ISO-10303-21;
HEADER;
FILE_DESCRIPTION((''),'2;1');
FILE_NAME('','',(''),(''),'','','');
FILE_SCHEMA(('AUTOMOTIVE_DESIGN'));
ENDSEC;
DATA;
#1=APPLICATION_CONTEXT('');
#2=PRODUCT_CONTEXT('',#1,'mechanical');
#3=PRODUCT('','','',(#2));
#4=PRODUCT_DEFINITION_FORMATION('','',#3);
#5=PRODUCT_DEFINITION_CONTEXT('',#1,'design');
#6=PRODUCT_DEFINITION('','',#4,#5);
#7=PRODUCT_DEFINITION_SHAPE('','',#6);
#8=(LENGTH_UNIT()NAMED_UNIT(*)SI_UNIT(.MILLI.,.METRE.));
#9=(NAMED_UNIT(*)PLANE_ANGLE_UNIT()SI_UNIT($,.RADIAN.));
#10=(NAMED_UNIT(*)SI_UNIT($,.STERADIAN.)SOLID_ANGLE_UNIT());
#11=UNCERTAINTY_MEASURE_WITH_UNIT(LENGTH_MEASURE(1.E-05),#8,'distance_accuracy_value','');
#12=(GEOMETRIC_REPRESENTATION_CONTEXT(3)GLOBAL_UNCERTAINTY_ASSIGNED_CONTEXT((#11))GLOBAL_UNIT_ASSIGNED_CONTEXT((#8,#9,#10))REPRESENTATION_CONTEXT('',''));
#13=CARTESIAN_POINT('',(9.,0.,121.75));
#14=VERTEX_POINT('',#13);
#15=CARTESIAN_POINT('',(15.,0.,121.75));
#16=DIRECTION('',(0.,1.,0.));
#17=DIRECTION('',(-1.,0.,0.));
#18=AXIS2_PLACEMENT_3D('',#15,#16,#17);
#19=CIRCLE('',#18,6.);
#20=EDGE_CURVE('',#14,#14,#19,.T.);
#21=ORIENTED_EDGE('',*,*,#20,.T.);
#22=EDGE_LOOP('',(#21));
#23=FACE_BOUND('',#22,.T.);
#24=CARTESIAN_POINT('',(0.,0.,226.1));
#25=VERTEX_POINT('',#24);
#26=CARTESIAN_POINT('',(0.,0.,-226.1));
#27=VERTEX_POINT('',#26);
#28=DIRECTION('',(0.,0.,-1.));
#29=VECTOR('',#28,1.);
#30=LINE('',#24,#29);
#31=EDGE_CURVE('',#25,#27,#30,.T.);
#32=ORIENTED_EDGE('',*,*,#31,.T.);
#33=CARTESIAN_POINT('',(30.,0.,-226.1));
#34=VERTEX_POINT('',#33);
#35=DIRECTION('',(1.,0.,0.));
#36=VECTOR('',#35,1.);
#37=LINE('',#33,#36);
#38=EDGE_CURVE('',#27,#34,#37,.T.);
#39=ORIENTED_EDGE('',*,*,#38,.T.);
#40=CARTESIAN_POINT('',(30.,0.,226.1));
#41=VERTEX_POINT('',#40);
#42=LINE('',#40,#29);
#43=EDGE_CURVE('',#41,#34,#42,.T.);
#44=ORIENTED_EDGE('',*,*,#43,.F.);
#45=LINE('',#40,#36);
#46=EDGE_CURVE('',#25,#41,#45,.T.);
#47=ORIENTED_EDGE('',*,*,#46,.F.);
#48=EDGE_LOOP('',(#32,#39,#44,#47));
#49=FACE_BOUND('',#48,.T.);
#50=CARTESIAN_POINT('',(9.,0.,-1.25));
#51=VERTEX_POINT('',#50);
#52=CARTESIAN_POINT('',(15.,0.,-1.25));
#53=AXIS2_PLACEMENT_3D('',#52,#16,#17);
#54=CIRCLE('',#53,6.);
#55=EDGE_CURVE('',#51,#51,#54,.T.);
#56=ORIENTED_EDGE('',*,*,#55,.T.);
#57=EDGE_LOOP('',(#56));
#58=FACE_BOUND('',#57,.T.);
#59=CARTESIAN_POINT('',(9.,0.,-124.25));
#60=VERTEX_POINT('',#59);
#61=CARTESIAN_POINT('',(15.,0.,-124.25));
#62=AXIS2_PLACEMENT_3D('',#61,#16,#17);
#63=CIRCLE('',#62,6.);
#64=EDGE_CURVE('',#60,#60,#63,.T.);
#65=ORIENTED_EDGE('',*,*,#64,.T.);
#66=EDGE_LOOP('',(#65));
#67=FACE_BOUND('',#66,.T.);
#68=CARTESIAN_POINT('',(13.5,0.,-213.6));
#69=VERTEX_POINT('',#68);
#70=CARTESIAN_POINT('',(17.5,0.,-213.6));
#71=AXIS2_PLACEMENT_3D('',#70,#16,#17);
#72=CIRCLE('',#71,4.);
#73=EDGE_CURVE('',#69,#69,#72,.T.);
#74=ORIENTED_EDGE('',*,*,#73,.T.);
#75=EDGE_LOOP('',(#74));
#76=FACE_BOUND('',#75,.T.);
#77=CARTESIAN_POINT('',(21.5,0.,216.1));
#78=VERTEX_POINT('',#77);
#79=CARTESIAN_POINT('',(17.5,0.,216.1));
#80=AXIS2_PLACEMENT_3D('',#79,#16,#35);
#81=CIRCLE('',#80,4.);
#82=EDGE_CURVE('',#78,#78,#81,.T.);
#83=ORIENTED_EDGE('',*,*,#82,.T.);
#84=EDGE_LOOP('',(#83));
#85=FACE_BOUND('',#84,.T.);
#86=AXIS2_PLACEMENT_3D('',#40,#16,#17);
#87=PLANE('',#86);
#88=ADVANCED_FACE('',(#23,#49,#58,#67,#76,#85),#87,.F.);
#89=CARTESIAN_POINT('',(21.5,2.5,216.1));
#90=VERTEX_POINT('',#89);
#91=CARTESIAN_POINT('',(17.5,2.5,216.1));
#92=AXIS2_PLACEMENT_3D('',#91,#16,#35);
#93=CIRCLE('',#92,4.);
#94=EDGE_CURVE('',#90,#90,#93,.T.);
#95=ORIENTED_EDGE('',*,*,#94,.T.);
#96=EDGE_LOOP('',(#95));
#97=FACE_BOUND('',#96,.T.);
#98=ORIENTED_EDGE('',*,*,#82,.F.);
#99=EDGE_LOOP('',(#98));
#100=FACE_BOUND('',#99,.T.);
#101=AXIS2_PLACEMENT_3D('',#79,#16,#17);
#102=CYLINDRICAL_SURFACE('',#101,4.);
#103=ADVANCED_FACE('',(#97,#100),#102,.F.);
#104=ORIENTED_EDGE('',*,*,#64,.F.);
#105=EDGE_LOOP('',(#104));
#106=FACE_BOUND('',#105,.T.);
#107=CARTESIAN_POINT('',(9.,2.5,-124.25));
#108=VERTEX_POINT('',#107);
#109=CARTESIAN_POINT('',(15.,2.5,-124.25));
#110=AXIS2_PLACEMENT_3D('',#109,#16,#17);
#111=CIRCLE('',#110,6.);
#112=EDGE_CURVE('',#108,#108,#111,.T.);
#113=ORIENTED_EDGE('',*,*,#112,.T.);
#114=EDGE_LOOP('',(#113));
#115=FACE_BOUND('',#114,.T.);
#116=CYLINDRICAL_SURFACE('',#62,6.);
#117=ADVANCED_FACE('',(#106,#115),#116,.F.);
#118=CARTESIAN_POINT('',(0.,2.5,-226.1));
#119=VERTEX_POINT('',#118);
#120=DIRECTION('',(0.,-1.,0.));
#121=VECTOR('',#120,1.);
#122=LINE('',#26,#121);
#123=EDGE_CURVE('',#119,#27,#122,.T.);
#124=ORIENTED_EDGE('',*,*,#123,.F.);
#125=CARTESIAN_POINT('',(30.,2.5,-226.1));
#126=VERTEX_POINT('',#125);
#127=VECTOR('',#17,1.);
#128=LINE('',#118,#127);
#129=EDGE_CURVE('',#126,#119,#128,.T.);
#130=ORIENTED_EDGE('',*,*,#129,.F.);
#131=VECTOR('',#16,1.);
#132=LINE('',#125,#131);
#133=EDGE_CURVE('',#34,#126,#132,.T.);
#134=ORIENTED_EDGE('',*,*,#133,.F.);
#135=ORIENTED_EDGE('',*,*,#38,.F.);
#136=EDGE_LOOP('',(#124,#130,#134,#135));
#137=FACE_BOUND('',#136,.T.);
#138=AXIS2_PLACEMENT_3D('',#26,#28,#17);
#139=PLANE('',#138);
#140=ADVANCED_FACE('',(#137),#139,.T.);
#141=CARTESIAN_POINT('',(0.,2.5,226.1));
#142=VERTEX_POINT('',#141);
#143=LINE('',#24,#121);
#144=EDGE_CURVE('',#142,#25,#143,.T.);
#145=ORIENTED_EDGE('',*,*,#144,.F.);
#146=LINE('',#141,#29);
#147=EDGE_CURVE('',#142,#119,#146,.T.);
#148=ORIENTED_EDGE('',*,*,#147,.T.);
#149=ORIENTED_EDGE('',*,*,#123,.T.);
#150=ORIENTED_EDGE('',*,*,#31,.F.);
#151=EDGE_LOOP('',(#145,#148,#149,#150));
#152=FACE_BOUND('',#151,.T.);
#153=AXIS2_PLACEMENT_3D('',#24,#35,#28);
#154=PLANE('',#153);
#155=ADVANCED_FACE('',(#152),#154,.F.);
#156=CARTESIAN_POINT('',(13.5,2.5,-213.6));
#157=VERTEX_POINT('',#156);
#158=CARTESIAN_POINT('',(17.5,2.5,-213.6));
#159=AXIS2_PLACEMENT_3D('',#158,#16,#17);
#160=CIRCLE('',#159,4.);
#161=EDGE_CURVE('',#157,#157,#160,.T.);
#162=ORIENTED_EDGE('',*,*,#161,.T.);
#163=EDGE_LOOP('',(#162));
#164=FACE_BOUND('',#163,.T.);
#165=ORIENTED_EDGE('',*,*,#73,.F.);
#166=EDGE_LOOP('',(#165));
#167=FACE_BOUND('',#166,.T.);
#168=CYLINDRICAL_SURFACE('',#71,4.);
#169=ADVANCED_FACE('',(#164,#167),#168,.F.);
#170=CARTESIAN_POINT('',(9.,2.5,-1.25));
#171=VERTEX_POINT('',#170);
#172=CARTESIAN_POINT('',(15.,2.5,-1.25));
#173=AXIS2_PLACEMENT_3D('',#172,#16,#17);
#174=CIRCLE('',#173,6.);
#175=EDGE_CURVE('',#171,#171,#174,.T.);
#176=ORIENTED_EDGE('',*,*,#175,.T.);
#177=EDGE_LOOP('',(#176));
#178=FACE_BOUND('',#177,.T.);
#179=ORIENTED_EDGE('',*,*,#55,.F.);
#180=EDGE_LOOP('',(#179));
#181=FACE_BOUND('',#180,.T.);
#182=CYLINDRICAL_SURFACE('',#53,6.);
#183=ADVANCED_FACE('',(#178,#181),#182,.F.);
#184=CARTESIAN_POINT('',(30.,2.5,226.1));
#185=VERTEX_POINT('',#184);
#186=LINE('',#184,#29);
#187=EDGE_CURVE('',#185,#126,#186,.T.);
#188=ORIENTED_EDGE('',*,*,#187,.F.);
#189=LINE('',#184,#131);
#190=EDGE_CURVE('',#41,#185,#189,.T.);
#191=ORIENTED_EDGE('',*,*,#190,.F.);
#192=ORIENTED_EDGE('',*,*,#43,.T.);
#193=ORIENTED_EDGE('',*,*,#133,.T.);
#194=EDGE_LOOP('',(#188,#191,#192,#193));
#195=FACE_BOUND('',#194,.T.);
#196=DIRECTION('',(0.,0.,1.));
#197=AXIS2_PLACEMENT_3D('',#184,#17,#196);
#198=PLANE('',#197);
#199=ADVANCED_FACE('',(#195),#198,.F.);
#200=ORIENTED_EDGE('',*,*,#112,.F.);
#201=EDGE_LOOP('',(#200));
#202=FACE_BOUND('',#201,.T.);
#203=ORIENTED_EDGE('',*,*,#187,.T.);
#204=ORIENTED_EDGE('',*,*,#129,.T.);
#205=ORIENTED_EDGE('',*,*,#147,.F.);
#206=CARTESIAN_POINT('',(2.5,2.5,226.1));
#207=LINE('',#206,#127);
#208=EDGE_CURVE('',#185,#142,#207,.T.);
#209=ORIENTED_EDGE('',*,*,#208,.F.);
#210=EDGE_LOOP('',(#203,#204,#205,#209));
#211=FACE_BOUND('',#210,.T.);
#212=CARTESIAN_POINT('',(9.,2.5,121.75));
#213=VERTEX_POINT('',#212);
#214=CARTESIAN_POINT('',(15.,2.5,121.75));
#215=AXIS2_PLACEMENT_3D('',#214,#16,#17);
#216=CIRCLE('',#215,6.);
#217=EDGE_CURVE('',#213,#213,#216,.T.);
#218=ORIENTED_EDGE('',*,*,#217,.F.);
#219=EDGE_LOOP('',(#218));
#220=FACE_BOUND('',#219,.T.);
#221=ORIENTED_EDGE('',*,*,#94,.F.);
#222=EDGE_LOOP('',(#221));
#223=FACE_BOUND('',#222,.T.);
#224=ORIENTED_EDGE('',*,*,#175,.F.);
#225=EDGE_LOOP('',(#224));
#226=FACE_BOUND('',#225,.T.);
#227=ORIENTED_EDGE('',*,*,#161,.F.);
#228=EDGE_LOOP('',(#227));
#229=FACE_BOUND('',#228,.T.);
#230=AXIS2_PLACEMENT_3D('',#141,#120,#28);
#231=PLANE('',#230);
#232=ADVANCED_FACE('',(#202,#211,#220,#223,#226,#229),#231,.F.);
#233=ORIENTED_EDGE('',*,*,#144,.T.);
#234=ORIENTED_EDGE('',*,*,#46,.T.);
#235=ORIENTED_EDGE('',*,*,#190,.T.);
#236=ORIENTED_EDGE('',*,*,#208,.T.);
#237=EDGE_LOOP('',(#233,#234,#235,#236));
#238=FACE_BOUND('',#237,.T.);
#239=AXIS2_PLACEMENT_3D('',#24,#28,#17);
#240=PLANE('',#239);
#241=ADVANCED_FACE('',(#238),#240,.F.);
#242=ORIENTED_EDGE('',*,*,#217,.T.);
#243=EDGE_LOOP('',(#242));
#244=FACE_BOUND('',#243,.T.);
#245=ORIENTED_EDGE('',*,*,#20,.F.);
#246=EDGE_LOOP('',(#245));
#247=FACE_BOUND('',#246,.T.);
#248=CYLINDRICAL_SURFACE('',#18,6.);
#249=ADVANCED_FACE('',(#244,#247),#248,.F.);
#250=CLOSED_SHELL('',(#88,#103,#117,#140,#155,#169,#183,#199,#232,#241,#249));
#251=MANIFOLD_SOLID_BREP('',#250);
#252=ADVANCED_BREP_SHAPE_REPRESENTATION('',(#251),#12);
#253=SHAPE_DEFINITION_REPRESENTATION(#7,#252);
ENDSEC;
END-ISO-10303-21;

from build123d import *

# Parameters (mm, degrees)
BOSS_EXTRUDE1_DEPTH = 226.1
SKETCH2_R           = 4
SKETCH2_R_2         = 6
CUT_EXTRUDE1_DEPTH  = 229.095287106


with BuildPart() as part:
    # Sketch1 → Boss-Extrude1 (new, symmetric)
    with BuildSketch(Plane.XY):
        Polygon((0, 0), (0, 2.5), (2.5, 2.5), (30, 2.5), (30, 0), align=None)
    extrude(amount=BOSS_EXTRUDE1_DEPTH, both=True)

    # Sketch2 → Cut-Extrude1 (cut, through all)
    with BuildSketch(Plane(origin=(0, 2.5, 0), x_dir=(1, 0, 0), z_dir=(0, 1, 0))):
        with Locations(Location((17.5, 213.6, 0), (0, 0, 180))):
            Circle(SKETCH2_R)
        with Locations((17.5, -216.1)):
            Circle(SKETCH2_R)
        with Locations(Location((15, -121.75, 0), (0, 0, 180))):
            Circle(SKETCH2_R_2)
        with Locations(Location((15, 124.25, 0), (0, 0, 180))):
            Circle(SKETCH2_R_2)
        with Locations(Location((15, 1.25, 0), (0, 0, 180))):
            Circle(SKETCH2_R_2)
    extrude(amount=-CUT_EXTRUDE1_DEPTH, mode=Mode.SUBTRACT)


solid = part.part
